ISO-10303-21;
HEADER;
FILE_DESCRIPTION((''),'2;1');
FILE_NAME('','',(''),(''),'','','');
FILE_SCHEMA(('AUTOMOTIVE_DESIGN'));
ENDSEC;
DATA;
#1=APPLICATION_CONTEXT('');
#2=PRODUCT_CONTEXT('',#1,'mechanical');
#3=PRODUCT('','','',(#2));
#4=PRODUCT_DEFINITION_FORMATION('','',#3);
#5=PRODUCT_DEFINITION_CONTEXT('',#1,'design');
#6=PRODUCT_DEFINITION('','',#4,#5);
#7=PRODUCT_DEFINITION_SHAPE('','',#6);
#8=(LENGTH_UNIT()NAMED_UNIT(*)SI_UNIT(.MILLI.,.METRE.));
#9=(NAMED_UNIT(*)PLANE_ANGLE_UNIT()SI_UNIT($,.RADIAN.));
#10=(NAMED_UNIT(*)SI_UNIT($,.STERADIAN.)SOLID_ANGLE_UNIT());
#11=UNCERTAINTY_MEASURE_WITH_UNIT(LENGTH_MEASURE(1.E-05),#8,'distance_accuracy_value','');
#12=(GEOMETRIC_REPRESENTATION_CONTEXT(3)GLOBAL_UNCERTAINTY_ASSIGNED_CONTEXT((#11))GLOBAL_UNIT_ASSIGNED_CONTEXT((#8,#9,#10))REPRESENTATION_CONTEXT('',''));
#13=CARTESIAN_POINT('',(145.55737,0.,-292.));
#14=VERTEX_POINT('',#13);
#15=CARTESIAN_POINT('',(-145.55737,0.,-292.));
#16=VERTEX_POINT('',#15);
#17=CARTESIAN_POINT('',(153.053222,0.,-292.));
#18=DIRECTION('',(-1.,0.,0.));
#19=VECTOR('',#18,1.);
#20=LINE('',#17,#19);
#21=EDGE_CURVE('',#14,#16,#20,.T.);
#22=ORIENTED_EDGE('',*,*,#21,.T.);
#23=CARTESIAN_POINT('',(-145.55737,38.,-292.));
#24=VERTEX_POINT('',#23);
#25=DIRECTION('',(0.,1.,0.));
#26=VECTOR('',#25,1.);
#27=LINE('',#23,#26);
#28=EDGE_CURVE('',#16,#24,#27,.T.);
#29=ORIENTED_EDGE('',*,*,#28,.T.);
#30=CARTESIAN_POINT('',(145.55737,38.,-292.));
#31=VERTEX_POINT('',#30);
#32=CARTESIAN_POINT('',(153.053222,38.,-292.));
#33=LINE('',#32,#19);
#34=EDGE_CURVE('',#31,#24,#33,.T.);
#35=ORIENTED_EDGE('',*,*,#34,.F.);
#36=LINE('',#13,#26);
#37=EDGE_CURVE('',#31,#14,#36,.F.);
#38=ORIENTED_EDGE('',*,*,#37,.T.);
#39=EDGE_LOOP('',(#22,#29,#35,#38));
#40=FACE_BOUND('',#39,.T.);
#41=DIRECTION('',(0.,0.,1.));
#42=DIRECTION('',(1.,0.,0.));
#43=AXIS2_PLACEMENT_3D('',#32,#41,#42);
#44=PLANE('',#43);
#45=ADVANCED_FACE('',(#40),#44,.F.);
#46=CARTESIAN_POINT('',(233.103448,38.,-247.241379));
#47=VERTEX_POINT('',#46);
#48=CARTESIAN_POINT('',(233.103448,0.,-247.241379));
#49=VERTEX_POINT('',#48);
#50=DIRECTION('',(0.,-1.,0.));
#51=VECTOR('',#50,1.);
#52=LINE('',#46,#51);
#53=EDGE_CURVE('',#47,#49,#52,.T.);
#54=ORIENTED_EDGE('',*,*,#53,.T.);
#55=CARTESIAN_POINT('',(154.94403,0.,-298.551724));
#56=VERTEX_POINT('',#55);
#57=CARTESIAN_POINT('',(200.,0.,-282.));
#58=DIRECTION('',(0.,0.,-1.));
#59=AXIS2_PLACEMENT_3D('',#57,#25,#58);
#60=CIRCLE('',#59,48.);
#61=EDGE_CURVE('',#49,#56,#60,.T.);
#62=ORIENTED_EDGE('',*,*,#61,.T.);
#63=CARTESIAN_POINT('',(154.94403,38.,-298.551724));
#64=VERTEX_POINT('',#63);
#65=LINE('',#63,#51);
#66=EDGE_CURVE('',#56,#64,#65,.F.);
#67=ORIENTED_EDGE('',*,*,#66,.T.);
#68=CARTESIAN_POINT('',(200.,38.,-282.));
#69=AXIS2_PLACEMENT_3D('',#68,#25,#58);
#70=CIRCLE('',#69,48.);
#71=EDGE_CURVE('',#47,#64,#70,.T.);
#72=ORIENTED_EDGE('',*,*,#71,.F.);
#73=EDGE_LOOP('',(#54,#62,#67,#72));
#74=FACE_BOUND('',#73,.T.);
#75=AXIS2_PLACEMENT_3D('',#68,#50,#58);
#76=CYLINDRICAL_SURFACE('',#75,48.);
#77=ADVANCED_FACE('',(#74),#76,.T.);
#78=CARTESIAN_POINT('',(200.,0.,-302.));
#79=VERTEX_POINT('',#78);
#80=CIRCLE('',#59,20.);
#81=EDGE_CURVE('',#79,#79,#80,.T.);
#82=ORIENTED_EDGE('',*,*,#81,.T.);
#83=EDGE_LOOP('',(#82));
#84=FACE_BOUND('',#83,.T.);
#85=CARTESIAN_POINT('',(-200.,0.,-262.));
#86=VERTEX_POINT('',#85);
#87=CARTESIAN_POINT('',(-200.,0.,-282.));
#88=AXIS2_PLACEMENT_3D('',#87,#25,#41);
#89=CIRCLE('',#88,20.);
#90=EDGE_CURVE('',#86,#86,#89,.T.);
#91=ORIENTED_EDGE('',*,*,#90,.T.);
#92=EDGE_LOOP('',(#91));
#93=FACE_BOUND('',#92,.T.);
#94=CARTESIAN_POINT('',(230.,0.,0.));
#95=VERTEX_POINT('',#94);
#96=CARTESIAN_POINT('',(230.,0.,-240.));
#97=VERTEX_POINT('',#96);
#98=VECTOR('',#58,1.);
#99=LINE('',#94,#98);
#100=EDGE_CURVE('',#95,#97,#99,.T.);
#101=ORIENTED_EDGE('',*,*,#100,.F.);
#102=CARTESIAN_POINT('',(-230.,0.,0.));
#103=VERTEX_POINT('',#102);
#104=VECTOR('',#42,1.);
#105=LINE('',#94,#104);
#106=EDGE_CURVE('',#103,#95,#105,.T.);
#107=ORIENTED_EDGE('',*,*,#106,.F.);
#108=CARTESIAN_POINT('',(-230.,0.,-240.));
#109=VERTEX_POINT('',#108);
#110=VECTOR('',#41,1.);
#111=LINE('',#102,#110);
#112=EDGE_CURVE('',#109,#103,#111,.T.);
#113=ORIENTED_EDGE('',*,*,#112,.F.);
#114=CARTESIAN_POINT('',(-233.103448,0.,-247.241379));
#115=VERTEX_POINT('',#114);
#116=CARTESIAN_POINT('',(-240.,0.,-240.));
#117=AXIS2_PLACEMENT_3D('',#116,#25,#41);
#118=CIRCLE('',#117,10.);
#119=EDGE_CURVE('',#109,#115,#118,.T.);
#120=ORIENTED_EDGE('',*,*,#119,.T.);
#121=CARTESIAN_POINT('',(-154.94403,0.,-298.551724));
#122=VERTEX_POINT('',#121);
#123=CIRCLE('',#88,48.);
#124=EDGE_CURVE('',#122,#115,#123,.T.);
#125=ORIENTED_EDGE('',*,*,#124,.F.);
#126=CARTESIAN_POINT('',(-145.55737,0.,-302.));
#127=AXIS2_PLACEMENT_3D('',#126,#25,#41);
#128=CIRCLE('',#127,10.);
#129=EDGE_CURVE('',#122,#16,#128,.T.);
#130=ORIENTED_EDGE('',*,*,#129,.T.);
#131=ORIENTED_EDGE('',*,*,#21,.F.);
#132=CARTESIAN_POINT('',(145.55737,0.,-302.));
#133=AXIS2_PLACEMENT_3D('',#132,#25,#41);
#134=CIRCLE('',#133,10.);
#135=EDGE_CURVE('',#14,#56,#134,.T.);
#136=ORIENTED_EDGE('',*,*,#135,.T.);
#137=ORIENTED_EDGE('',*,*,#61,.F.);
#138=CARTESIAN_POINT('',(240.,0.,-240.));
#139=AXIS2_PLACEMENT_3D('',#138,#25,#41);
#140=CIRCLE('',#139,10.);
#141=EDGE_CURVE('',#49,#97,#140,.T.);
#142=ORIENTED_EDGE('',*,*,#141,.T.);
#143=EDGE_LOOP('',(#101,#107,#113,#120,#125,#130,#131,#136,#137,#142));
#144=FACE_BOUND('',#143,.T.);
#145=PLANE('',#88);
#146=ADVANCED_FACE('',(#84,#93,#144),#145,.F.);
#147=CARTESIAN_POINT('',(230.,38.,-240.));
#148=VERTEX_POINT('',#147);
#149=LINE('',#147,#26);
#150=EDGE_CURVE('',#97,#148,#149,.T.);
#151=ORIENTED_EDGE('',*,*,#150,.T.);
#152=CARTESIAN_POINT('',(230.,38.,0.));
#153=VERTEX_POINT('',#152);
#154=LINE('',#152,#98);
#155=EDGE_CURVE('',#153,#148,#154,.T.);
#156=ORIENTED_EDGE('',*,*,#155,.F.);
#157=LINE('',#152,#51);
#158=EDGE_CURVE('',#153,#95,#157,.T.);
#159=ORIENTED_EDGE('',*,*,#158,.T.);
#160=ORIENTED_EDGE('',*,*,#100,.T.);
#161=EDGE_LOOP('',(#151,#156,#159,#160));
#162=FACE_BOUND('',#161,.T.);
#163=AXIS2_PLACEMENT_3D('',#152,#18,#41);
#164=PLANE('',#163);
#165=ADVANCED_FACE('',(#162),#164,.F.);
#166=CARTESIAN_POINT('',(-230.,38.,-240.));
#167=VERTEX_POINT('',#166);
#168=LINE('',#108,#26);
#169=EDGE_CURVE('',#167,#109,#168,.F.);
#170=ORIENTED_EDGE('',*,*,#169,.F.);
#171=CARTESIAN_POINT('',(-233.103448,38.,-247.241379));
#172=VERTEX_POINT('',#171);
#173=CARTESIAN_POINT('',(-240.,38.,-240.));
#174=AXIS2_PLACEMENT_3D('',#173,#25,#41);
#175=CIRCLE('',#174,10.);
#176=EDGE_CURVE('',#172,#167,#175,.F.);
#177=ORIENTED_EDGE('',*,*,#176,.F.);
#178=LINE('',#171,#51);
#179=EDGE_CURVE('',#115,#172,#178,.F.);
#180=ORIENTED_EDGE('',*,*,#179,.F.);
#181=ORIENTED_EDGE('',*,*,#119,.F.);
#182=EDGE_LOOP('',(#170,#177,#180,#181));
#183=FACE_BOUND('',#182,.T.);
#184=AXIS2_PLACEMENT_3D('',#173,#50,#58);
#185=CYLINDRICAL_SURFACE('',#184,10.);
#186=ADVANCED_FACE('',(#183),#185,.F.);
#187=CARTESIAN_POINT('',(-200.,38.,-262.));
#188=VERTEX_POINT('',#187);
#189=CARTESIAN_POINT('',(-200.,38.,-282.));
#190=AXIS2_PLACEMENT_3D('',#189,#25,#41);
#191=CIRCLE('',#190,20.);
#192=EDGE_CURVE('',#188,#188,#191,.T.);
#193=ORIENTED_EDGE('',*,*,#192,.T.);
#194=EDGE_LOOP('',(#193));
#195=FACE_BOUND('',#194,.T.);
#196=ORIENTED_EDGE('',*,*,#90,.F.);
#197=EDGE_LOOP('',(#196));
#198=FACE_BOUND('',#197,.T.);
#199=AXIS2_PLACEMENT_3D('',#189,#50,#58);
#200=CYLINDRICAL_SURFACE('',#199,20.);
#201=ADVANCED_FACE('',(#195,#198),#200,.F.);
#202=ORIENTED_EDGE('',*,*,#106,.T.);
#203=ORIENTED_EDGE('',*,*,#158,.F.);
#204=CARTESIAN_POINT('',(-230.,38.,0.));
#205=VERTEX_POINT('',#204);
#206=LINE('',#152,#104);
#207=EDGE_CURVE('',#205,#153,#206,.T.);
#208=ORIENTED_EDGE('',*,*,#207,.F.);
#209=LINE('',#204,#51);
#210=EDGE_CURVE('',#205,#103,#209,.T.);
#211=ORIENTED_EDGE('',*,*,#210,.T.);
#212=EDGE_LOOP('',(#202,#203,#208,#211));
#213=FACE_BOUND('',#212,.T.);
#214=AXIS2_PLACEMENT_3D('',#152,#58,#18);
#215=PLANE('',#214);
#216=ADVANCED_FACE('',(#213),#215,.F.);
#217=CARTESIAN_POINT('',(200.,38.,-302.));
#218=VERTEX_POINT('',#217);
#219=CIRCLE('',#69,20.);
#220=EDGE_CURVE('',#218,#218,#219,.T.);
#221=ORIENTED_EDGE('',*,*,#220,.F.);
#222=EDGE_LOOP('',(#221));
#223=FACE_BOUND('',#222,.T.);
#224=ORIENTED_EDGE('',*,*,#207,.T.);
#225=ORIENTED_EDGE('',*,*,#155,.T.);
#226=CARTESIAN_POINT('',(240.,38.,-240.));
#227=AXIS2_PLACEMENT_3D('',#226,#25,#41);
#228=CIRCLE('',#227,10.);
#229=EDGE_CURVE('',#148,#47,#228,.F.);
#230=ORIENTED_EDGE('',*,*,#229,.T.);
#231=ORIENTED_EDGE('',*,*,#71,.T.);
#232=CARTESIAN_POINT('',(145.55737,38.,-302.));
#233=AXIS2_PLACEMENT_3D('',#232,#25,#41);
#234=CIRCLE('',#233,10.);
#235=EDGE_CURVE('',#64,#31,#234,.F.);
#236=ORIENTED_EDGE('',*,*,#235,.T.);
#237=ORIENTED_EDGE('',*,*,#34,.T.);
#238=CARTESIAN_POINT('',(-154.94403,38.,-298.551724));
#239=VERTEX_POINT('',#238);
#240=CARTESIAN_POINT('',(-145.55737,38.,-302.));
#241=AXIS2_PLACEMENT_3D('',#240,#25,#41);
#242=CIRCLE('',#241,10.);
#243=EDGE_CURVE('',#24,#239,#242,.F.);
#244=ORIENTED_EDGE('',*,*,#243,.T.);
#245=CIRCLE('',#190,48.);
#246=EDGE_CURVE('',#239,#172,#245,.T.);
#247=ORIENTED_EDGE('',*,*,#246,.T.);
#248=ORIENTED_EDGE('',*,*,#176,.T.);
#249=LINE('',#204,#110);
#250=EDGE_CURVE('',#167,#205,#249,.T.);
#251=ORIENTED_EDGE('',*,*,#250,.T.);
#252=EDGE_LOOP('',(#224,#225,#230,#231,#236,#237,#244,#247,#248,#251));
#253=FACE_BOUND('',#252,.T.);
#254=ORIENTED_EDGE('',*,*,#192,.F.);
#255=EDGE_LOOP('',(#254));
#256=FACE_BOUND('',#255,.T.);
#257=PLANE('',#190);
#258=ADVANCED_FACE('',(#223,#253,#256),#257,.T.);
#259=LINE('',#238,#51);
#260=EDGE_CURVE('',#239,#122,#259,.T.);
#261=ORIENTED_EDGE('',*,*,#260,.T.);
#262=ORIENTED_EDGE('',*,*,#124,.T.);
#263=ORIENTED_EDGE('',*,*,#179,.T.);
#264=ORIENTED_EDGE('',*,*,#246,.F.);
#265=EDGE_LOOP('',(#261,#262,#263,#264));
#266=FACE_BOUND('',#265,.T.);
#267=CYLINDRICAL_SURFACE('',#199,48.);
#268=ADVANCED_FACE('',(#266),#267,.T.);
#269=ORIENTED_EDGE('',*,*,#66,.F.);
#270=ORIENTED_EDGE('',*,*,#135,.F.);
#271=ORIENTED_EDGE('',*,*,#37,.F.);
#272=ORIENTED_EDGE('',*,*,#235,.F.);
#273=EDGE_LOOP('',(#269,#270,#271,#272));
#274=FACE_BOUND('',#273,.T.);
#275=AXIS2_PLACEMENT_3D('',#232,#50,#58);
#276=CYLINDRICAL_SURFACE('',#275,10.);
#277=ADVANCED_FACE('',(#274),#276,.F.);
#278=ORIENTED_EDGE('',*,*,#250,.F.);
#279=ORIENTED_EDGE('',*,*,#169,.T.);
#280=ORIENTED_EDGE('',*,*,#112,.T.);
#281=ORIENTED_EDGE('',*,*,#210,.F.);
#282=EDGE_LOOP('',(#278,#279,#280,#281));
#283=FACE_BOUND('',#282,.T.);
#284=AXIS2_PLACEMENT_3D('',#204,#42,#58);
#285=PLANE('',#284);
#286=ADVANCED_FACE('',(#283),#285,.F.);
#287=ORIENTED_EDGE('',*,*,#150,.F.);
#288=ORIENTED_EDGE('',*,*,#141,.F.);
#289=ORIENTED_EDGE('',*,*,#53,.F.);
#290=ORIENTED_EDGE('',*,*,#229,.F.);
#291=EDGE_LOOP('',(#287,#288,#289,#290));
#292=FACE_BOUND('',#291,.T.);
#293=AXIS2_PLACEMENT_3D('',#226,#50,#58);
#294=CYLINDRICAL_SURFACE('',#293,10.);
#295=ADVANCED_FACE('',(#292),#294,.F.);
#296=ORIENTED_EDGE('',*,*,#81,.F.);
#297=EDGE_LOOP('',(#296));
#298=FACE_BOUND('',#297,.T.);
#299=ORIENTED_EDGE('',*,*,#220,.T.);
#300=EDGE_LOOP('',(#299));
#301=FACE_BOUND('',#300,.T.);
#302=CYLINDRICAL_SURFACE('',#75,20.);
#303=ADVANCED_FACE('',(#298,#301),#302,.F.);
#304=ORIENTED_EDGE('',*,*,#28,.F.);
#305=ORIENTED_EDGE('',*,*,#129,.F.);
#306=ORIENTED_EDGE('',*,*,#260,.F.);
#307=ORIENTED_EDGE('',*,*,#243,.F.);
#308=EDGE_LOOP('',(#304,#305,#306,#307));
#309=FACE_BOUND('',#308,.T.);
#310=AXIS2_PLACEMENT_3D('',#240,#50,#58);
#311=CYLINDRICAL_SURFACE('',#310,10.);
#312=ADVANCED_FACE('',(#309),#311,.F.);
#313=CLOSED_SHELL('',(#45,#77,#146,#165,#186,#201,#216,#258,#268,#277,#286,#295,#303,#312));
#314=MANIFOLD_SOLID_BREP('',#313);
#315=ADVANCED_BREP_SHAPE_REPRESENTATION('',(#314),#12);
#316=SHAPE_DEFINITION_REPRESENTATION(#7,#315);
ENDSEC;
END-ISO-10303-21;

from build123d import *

# Parameters (mm, degrees)
SKETCH1_R           = 20
BOSS_EXTRUDE1_DEPTH = 38
FILLET1_R           = 10


with BuildPart() as part:
    # Sketch1 → Boss-Extrude1 (new body)
    with BuildSketch(Plane(origin=(0, 0, 0), x_dir=(1, 0, 0), z_dir=(0, 1, 0))):
        with BuildLine():
            Line((230, 0), (-230, 0))
            Line((-230, 0), (-230, 244.53001201))
            ThreePointArc((-230, 244.53001201), (-225.20214801, 322.851581802), (-153.053221623, 292))
            Line((-153.053221623, 292), (153.053221623, 292))
            ThreePointArc((153.053221623, 292), (225.20214801, 322.851581802), (230, 244.53001201))
            Line((230, 244.53001201), (230, 0))
        make_face()
        with Locations((-200, 282)):
            Circle(SKETCH1_R, mode=Mode.SUBTRACT)
        with Locations((200, 282)):
            Circle(SKETCH1_R, mode=Mode.SUBTRACT)
    extrude(amount=BOSS_EXTRUDE1_DEPTH)

    # Fillet1
    fillet1_edges = [part.edges().sort_by_distance(p)[0] for p in [
        (-230, 19, -244.53001201),
        (-153.053221623, 19, -292),
        (153.053221623, 19, -292),
        (230, 19, -244.53001201),
    ]]
    fillet(fillet1_edges, radius=FILLET1_R)


solid = part.part
